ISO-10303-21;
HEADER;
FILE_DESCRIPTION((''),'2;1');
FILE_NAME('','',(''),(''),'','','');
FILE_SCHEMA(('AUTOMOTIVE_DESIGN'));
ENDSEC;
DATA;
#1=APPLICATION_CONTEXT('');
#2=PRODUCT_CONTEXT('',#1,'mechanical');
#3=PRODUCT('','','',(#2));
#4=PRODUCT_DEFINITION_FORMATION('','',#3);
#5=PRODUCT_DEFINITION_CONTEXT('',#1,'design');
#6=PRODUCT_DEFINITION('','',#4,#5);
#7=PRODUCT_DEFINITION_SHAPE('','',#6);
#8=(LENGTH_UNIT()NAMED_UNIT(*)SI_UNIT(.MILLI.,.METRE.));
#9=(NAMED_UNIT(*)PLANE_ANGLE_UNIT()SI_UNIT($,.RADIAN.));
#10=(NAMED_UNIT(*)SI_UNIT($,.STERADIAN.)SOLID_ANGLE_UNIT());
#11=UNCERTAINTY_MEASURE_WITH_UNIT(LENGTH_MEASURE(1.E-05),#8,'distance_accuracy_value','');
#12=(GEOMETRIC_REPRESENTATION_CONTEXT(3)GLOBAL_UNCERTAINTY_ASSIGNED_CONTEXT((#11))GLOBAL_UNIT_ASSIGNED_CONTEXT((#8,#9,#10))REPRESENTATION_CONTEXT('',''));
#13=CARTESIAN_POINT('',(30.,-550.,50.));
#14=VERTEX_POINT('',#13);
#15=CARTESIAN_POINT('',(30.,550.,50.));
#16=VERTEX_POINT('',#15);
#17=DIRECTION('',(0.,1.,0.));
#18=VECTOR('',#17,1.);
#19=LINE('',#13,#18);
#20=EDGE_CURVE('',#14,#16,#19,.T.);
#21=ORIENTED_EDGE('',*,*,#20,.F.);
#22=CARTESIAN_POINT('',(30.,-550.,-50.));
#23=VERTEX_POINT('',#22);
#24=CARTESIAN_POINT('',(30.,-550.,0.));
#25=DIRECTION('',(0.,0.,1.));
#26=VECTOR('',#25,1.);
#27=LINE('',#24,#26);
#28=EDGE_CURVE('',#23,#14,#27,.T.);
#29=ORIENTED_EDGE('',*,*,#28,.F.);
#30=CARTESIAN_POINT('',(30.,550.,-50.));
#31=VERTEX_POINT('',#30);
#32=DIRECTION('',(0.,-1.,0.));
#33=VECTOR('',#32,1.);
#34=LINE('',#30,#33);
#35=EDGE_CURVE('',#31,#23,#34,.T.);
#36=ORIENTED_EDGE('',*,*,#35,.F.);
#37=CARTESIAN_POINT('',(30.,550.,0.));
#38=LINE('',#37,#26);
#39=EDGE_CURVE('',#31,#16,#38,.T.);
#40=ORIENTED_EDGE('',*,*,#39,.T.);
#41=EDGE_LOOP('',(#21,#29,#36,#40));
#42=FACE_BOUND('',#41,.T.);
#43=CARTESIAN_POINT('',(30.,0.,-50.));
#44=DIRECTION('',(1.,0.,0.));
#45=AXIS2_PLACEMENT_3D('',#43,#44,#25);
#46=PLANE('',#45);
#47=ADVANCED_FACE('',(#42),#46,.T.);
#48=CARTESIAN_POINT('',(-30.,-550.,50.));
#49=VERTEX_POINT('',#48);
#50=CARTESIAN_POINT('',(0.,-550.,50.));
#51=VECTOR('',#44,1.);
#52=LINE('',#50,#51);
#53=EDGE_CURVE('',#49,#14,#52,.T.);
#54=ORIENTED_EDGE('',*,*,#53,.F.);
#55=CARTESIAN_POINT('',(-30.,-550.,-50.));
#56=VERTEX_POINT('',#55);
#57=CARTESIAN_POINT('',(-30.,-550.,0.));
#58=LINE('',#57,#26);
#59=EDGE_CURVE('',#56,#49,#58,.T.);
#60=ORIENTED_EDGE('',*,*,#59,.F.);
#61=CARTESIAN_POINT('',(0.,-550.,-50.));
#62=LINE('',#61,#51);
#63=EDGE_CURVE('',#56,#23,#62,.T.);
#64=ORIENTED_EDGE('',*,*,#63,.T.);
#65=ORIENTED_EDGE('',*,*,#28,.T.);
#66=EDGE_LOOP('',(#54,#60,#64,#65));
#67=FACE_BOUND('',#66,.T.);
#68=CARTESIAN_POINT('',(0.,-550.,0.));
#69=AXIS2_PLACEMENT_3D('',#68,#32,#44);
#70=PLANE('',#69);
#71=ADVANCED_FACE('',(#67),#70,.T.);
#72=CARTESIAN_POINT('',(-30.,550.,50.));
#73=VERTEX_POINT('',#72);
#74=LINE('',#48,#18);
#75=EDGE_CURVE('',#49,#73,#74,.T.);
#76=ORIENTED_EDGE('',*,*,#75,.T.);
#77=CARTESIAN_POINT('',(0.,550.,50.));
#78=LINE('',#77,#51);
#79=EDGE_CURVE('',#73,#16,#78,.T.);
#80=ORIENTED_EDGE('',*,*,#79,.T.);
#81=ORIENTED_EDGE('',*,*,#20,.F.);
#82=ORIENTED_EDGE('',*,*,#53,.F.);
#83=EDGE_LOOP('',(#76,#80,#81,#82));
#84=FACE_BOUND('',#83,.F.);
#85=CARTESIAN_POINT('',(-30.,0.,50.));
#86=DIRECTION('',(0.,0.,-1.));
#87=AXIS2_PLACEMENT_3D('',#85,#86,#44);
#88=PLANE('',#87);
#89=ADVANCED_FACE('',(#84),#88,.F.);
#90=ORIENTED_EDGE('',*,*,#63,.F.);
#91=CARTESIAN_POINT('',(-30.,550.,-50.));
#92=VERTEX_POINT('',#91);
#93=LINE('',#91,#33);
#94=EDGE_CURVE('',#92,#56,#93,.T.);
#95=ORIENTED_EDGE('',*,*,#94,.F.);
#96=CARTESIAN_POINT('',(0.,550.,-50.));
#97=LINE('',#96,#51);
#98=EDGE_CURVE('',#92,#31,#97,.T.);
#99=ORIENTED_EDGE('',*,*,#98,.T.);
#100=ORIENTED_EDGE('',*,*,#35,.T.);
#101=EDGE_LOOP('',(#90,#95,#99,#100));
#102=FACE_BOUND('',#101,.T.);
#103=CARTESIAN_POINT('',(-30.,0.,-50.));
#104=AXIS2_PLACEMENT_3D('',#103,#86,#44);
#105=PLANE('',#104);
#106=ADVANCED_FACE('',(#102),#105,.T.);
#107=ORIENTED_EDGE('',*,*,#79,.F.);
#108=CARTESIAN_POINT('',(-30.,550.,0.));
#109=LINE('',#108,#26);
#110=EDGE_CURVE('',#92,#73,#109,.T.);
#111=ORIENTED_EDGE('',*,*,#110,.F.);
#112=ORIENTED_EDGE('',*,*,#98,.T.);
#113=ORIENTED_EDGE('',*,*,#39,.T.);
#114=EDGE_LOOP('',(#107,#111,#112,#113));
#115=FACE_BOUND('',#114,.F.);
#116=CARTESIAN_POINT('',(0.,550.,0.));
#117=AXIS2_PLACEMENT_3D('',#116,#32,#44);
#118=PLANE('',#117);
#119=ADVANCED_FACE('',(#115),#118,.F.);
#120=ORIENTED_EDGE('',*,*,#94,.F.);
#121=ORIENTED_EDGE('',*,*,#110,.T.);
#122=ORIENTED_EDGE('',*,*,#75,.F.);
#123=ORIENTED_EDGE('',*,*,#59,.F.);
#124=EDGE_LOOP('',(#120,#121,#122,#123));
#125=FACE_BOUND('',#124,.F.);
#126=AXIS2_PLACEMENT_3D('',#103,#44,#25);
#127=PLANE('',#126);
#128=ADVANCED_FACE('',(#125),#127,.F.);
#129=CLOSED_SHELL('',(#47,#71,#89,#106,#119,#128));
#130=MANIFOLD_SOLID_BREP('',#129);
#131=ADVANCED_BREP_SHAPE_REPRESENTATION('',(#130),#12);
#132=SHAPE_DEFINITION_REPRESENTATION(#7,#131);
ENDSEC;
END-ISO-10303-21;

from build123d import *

# Parameters (mm, degrees)
SKETCH_W  = 60
SKETCH_H  = 100
PAD_DEPTH = 550


with BuildPart() as part:
    # Sketch → Pad (new body, symmetric)
    with BuildSketch(Plane.XZ):
        Rectangle(SKETCH_W, SKETCH_H)
    extrude(amount=PAD_DEPTH, both=True)


solid = part.part
